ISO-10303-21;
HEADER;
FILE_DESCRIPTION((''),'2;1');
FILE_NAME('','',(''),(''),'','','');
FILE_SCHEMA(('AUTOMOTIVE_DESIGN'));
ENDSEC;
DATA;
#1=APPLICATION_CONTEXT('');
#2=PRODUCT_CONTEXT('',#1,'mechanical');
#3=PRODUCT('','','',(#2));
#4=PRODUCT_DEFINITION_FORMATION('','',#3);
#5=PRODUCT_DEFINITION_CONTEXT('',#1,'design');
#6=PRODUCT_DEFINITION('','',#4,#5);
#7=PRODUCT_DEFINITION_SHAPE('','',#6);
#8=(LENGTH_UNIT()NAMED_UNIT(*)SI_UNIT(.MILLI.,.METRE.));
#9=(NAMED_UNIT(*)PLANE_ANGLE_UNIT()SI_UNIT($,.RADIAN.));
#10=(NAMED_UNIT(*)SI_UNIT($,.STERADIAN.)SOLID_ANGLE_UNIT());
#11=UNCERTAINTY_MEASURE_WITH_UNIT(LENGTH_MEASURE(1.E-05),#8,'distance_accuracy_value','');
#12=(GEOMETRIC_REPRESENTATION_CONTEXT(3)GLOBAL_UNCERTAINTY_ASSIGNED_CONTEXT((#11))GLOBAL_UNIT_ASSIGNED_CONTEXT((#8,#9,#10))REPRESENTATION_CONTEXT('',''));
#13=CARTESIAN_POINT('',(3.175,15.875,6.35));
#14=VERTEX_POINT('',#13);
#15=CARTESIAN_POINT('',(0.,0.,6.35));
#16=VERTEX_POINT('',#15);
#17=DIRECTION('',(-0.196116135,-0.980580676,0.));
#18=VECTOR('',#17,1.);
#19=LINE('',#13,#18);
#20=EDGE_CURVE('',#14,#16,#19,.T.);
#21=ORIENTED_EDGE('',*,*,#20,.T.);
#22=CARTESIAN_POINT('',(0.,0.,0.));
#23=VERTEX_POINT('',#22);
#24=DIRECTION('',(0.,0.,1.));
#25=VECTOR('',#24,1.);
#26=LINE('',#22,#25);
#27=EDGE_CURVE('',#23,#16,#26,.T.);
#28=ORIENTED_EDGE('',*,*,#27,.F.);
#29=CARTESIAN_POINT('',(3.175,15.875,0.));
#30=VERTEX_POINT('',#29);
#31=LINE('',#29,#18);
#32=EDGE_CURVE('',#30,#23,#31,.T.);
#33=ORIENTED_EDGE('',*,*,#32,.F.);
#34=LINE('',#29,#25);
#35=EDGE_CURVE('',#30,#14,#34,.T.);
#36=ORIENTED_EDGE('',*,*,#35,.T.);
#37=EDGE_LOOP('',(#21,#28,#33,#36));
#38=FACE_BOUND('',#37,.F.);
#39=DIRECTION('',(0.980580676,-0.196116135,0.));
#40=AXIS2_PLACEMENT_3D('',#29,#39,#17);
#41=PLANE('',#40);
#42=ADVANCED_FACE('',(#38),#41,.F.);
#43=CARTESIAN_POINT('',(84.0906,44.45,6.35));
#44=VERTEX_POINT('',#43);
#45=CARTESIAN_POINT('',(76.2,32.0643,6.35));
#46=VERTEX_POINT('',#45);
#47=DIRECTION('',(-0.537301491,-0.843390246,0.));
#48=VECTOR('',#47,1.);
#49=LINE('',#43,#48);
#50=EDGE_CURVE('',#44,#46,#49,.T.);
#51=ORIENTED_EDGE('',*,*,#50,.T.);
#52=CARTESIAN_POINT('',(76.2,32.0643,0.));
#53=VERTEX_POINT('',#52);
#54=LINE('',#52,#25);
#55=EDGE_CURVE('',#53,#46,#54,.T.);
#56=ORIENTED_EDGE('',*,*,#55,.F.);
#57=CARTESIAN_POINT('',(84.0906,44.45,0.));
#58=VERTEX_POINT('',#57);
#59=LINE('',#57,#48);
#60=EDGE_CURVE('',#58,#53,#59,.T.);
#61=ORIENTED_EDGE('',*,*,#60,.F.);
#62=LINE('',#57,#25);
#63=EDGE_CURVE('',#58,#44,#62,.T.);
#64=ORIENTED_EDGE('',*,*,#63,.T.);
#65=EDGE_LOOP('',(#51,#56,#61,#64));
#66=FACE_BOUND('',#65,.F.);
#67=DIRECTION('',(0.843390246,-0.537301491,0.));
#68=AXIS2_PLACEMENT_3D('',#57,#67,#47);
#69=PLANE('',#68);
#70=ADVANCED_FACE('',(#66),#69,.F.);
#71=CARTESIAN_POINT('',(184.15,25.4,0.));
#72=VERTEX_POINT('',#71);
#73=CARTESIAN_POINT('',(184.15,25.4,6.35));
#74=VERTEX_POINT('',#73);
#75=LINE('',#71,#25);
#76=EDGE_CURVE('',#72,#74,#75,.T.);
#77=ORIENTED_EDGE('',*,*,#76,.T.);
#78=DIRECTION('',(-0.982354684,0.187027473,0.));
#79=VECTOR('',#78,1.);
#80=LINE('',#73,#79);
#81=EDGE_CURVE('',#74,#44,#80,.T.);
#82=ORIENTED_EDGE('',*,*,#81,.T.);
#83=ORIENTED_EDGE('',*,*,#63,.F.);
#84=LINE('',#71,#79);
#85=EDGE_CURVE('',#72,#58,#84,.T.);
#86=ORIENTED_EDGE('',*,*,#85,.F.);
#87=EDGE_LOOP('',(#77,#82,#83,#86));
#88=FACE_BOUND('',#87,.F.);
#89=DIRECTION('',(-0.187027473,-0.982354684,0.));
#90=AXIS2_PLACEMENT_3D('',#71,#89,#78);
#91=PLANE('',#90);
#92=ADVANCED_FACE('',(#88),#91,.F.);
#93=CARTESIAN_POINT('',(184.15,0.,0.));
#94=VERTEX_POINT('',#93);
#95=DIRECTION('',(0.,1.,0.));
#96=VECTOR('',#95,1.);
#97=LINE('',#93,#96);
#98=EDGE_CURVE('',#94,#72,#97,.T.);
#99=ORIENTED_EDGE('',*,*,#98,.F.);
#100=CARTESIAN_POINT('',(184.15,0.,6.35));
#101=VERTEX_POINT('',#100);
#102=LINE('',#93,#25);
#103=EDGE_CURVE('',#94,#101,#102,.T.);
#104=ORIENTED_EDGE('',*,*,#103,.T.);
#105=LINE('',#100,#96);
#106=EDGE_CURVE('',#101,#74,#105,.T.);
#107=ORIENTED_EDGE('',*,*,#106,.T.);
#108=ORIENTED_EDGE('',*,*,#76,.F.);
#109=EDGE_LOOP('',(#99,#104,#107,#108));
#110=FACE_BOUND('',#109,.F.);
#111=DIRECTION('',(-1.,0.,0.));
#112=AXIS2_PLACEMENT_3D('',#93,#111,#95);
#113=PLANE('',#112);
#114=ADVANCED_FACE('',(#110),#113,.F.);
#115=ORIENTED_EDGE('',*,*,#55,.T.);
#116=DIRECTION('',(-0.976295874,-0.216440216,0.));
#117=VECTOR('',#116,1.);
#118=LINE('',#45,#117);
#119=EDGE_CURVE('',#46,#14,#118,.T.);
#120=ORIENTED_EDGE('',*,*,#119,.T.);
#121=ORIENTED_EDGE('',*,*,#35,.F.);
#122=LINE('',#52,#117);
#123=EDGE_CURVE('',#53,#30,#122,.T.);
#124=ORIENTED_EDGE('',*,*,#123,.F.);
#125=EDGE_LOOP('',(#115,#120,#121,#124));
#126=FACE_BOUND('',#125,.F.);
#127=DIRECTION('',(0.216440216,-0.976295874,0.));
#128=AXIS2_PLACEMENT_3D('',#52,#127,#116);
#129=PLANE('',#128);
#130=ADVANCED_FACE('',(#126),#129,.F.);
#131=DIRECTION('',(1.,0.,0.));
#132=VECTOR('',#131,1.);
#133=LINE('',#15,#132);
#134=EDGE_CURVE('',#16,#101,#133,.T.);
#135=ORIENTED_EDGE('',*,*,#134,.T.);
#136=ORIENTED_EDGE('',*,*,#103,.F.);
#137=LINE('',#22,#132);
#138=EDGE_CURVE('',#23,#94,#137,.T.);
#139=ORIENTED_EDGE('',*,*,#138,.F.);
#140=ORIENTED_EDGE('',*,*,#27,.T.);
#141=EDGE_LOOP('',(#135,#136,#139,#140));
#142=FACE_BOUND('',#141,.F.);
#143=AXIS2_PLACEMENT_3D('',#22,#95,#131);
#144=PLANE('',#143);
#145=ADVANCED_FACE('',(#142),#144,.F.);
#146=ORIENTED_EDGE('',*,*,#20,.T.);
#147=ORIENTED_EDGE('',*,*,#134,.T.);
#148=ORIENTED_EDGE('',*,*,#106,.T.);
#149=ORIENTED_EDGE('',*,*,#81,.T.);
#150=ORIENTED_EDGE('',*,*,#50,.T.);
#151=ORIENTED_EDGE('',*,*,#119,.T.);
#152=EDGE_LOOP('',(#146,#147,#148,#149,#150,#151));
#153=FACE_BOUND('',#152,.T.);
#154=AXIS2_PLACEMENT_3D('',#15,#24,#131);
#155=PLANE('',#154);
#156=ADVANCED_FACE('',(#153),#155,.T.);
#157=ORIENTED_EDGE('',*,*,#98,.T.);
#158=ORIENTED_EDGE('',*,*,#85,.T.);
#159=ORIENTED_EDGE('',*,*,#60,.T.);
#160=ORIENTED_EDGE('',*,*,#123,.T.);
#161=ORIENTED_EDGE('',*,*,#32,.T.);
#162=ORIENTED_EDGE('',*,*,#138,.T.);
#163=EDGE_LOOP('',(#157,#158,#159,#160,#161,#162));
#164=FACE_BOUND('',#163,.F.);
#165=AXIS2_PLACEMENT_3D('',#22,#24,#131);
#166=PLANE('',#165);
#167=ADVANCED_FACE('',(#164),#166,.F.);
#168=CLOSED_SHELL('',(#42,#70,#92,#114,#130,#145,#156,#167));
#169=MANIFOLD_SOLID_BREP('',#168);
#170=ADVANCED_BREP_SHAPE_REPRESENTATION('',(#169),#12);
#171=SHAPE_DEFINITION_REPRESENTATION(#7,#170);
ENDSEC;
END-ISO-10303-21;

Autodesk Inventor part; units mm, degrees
ref_plane "YZ Plane" through (0, 0, 0) normal (1, 0, 0) x (0, 1, 0)
ref_plane "XZ Plane" through (0, 0, 0) normal (0, 1, 0) x (-1, 0, 0)
ref_plane "XY Plane" through (0, 0, 0) normal (0, 0, 1) x (1, 0, 0)
sketch "Sketch1" plane through (0, 0, 0) normal (0, 0, 1) x (1, 0, 0)
  line L0 (0, 0) -> (184.15, 0)
  line L1 (84.0906, 44.45) -> (76.2, 32.0643)
  line L2 (76.2, 32.0643) -> (3.175, 15.875)
  line L3 (3.175, 15.875) -> (0, 0)
  circle A0 centre (0, 0) radius 190.5 construction
  line L4 (0, 0) -> (0, 190.5) construction
  line L5 (184.15, 0) -> (184.15, 25.4)
  line L6 (184.15, 25.4) -> (84.0906, 44.45)
  circle A1 centre (95.25, 12.7) radius 12
  dimension "d3" = 381
  dimension "d0" = 184.15
  dimension "d1" = 3.175
  dimension "d2" = 15.875
  dimension "d4" = 12.5
  dimension "d5" = 76.2
  dimension "d6" = 44.45
  dimension "d12" = 135
  dimension "d13" = 25.4
  dimension "d15" = 24
  dimension "d16" = 88.9
  dimension "d17" = 12.7
extrude "Extrusion1" add sketch "Sketch1" along normal blind 6.35 contours L3 L2 L1 L6 L5 L0 | A1
properties part number "Side_Blocker" material "UHMW, White"
